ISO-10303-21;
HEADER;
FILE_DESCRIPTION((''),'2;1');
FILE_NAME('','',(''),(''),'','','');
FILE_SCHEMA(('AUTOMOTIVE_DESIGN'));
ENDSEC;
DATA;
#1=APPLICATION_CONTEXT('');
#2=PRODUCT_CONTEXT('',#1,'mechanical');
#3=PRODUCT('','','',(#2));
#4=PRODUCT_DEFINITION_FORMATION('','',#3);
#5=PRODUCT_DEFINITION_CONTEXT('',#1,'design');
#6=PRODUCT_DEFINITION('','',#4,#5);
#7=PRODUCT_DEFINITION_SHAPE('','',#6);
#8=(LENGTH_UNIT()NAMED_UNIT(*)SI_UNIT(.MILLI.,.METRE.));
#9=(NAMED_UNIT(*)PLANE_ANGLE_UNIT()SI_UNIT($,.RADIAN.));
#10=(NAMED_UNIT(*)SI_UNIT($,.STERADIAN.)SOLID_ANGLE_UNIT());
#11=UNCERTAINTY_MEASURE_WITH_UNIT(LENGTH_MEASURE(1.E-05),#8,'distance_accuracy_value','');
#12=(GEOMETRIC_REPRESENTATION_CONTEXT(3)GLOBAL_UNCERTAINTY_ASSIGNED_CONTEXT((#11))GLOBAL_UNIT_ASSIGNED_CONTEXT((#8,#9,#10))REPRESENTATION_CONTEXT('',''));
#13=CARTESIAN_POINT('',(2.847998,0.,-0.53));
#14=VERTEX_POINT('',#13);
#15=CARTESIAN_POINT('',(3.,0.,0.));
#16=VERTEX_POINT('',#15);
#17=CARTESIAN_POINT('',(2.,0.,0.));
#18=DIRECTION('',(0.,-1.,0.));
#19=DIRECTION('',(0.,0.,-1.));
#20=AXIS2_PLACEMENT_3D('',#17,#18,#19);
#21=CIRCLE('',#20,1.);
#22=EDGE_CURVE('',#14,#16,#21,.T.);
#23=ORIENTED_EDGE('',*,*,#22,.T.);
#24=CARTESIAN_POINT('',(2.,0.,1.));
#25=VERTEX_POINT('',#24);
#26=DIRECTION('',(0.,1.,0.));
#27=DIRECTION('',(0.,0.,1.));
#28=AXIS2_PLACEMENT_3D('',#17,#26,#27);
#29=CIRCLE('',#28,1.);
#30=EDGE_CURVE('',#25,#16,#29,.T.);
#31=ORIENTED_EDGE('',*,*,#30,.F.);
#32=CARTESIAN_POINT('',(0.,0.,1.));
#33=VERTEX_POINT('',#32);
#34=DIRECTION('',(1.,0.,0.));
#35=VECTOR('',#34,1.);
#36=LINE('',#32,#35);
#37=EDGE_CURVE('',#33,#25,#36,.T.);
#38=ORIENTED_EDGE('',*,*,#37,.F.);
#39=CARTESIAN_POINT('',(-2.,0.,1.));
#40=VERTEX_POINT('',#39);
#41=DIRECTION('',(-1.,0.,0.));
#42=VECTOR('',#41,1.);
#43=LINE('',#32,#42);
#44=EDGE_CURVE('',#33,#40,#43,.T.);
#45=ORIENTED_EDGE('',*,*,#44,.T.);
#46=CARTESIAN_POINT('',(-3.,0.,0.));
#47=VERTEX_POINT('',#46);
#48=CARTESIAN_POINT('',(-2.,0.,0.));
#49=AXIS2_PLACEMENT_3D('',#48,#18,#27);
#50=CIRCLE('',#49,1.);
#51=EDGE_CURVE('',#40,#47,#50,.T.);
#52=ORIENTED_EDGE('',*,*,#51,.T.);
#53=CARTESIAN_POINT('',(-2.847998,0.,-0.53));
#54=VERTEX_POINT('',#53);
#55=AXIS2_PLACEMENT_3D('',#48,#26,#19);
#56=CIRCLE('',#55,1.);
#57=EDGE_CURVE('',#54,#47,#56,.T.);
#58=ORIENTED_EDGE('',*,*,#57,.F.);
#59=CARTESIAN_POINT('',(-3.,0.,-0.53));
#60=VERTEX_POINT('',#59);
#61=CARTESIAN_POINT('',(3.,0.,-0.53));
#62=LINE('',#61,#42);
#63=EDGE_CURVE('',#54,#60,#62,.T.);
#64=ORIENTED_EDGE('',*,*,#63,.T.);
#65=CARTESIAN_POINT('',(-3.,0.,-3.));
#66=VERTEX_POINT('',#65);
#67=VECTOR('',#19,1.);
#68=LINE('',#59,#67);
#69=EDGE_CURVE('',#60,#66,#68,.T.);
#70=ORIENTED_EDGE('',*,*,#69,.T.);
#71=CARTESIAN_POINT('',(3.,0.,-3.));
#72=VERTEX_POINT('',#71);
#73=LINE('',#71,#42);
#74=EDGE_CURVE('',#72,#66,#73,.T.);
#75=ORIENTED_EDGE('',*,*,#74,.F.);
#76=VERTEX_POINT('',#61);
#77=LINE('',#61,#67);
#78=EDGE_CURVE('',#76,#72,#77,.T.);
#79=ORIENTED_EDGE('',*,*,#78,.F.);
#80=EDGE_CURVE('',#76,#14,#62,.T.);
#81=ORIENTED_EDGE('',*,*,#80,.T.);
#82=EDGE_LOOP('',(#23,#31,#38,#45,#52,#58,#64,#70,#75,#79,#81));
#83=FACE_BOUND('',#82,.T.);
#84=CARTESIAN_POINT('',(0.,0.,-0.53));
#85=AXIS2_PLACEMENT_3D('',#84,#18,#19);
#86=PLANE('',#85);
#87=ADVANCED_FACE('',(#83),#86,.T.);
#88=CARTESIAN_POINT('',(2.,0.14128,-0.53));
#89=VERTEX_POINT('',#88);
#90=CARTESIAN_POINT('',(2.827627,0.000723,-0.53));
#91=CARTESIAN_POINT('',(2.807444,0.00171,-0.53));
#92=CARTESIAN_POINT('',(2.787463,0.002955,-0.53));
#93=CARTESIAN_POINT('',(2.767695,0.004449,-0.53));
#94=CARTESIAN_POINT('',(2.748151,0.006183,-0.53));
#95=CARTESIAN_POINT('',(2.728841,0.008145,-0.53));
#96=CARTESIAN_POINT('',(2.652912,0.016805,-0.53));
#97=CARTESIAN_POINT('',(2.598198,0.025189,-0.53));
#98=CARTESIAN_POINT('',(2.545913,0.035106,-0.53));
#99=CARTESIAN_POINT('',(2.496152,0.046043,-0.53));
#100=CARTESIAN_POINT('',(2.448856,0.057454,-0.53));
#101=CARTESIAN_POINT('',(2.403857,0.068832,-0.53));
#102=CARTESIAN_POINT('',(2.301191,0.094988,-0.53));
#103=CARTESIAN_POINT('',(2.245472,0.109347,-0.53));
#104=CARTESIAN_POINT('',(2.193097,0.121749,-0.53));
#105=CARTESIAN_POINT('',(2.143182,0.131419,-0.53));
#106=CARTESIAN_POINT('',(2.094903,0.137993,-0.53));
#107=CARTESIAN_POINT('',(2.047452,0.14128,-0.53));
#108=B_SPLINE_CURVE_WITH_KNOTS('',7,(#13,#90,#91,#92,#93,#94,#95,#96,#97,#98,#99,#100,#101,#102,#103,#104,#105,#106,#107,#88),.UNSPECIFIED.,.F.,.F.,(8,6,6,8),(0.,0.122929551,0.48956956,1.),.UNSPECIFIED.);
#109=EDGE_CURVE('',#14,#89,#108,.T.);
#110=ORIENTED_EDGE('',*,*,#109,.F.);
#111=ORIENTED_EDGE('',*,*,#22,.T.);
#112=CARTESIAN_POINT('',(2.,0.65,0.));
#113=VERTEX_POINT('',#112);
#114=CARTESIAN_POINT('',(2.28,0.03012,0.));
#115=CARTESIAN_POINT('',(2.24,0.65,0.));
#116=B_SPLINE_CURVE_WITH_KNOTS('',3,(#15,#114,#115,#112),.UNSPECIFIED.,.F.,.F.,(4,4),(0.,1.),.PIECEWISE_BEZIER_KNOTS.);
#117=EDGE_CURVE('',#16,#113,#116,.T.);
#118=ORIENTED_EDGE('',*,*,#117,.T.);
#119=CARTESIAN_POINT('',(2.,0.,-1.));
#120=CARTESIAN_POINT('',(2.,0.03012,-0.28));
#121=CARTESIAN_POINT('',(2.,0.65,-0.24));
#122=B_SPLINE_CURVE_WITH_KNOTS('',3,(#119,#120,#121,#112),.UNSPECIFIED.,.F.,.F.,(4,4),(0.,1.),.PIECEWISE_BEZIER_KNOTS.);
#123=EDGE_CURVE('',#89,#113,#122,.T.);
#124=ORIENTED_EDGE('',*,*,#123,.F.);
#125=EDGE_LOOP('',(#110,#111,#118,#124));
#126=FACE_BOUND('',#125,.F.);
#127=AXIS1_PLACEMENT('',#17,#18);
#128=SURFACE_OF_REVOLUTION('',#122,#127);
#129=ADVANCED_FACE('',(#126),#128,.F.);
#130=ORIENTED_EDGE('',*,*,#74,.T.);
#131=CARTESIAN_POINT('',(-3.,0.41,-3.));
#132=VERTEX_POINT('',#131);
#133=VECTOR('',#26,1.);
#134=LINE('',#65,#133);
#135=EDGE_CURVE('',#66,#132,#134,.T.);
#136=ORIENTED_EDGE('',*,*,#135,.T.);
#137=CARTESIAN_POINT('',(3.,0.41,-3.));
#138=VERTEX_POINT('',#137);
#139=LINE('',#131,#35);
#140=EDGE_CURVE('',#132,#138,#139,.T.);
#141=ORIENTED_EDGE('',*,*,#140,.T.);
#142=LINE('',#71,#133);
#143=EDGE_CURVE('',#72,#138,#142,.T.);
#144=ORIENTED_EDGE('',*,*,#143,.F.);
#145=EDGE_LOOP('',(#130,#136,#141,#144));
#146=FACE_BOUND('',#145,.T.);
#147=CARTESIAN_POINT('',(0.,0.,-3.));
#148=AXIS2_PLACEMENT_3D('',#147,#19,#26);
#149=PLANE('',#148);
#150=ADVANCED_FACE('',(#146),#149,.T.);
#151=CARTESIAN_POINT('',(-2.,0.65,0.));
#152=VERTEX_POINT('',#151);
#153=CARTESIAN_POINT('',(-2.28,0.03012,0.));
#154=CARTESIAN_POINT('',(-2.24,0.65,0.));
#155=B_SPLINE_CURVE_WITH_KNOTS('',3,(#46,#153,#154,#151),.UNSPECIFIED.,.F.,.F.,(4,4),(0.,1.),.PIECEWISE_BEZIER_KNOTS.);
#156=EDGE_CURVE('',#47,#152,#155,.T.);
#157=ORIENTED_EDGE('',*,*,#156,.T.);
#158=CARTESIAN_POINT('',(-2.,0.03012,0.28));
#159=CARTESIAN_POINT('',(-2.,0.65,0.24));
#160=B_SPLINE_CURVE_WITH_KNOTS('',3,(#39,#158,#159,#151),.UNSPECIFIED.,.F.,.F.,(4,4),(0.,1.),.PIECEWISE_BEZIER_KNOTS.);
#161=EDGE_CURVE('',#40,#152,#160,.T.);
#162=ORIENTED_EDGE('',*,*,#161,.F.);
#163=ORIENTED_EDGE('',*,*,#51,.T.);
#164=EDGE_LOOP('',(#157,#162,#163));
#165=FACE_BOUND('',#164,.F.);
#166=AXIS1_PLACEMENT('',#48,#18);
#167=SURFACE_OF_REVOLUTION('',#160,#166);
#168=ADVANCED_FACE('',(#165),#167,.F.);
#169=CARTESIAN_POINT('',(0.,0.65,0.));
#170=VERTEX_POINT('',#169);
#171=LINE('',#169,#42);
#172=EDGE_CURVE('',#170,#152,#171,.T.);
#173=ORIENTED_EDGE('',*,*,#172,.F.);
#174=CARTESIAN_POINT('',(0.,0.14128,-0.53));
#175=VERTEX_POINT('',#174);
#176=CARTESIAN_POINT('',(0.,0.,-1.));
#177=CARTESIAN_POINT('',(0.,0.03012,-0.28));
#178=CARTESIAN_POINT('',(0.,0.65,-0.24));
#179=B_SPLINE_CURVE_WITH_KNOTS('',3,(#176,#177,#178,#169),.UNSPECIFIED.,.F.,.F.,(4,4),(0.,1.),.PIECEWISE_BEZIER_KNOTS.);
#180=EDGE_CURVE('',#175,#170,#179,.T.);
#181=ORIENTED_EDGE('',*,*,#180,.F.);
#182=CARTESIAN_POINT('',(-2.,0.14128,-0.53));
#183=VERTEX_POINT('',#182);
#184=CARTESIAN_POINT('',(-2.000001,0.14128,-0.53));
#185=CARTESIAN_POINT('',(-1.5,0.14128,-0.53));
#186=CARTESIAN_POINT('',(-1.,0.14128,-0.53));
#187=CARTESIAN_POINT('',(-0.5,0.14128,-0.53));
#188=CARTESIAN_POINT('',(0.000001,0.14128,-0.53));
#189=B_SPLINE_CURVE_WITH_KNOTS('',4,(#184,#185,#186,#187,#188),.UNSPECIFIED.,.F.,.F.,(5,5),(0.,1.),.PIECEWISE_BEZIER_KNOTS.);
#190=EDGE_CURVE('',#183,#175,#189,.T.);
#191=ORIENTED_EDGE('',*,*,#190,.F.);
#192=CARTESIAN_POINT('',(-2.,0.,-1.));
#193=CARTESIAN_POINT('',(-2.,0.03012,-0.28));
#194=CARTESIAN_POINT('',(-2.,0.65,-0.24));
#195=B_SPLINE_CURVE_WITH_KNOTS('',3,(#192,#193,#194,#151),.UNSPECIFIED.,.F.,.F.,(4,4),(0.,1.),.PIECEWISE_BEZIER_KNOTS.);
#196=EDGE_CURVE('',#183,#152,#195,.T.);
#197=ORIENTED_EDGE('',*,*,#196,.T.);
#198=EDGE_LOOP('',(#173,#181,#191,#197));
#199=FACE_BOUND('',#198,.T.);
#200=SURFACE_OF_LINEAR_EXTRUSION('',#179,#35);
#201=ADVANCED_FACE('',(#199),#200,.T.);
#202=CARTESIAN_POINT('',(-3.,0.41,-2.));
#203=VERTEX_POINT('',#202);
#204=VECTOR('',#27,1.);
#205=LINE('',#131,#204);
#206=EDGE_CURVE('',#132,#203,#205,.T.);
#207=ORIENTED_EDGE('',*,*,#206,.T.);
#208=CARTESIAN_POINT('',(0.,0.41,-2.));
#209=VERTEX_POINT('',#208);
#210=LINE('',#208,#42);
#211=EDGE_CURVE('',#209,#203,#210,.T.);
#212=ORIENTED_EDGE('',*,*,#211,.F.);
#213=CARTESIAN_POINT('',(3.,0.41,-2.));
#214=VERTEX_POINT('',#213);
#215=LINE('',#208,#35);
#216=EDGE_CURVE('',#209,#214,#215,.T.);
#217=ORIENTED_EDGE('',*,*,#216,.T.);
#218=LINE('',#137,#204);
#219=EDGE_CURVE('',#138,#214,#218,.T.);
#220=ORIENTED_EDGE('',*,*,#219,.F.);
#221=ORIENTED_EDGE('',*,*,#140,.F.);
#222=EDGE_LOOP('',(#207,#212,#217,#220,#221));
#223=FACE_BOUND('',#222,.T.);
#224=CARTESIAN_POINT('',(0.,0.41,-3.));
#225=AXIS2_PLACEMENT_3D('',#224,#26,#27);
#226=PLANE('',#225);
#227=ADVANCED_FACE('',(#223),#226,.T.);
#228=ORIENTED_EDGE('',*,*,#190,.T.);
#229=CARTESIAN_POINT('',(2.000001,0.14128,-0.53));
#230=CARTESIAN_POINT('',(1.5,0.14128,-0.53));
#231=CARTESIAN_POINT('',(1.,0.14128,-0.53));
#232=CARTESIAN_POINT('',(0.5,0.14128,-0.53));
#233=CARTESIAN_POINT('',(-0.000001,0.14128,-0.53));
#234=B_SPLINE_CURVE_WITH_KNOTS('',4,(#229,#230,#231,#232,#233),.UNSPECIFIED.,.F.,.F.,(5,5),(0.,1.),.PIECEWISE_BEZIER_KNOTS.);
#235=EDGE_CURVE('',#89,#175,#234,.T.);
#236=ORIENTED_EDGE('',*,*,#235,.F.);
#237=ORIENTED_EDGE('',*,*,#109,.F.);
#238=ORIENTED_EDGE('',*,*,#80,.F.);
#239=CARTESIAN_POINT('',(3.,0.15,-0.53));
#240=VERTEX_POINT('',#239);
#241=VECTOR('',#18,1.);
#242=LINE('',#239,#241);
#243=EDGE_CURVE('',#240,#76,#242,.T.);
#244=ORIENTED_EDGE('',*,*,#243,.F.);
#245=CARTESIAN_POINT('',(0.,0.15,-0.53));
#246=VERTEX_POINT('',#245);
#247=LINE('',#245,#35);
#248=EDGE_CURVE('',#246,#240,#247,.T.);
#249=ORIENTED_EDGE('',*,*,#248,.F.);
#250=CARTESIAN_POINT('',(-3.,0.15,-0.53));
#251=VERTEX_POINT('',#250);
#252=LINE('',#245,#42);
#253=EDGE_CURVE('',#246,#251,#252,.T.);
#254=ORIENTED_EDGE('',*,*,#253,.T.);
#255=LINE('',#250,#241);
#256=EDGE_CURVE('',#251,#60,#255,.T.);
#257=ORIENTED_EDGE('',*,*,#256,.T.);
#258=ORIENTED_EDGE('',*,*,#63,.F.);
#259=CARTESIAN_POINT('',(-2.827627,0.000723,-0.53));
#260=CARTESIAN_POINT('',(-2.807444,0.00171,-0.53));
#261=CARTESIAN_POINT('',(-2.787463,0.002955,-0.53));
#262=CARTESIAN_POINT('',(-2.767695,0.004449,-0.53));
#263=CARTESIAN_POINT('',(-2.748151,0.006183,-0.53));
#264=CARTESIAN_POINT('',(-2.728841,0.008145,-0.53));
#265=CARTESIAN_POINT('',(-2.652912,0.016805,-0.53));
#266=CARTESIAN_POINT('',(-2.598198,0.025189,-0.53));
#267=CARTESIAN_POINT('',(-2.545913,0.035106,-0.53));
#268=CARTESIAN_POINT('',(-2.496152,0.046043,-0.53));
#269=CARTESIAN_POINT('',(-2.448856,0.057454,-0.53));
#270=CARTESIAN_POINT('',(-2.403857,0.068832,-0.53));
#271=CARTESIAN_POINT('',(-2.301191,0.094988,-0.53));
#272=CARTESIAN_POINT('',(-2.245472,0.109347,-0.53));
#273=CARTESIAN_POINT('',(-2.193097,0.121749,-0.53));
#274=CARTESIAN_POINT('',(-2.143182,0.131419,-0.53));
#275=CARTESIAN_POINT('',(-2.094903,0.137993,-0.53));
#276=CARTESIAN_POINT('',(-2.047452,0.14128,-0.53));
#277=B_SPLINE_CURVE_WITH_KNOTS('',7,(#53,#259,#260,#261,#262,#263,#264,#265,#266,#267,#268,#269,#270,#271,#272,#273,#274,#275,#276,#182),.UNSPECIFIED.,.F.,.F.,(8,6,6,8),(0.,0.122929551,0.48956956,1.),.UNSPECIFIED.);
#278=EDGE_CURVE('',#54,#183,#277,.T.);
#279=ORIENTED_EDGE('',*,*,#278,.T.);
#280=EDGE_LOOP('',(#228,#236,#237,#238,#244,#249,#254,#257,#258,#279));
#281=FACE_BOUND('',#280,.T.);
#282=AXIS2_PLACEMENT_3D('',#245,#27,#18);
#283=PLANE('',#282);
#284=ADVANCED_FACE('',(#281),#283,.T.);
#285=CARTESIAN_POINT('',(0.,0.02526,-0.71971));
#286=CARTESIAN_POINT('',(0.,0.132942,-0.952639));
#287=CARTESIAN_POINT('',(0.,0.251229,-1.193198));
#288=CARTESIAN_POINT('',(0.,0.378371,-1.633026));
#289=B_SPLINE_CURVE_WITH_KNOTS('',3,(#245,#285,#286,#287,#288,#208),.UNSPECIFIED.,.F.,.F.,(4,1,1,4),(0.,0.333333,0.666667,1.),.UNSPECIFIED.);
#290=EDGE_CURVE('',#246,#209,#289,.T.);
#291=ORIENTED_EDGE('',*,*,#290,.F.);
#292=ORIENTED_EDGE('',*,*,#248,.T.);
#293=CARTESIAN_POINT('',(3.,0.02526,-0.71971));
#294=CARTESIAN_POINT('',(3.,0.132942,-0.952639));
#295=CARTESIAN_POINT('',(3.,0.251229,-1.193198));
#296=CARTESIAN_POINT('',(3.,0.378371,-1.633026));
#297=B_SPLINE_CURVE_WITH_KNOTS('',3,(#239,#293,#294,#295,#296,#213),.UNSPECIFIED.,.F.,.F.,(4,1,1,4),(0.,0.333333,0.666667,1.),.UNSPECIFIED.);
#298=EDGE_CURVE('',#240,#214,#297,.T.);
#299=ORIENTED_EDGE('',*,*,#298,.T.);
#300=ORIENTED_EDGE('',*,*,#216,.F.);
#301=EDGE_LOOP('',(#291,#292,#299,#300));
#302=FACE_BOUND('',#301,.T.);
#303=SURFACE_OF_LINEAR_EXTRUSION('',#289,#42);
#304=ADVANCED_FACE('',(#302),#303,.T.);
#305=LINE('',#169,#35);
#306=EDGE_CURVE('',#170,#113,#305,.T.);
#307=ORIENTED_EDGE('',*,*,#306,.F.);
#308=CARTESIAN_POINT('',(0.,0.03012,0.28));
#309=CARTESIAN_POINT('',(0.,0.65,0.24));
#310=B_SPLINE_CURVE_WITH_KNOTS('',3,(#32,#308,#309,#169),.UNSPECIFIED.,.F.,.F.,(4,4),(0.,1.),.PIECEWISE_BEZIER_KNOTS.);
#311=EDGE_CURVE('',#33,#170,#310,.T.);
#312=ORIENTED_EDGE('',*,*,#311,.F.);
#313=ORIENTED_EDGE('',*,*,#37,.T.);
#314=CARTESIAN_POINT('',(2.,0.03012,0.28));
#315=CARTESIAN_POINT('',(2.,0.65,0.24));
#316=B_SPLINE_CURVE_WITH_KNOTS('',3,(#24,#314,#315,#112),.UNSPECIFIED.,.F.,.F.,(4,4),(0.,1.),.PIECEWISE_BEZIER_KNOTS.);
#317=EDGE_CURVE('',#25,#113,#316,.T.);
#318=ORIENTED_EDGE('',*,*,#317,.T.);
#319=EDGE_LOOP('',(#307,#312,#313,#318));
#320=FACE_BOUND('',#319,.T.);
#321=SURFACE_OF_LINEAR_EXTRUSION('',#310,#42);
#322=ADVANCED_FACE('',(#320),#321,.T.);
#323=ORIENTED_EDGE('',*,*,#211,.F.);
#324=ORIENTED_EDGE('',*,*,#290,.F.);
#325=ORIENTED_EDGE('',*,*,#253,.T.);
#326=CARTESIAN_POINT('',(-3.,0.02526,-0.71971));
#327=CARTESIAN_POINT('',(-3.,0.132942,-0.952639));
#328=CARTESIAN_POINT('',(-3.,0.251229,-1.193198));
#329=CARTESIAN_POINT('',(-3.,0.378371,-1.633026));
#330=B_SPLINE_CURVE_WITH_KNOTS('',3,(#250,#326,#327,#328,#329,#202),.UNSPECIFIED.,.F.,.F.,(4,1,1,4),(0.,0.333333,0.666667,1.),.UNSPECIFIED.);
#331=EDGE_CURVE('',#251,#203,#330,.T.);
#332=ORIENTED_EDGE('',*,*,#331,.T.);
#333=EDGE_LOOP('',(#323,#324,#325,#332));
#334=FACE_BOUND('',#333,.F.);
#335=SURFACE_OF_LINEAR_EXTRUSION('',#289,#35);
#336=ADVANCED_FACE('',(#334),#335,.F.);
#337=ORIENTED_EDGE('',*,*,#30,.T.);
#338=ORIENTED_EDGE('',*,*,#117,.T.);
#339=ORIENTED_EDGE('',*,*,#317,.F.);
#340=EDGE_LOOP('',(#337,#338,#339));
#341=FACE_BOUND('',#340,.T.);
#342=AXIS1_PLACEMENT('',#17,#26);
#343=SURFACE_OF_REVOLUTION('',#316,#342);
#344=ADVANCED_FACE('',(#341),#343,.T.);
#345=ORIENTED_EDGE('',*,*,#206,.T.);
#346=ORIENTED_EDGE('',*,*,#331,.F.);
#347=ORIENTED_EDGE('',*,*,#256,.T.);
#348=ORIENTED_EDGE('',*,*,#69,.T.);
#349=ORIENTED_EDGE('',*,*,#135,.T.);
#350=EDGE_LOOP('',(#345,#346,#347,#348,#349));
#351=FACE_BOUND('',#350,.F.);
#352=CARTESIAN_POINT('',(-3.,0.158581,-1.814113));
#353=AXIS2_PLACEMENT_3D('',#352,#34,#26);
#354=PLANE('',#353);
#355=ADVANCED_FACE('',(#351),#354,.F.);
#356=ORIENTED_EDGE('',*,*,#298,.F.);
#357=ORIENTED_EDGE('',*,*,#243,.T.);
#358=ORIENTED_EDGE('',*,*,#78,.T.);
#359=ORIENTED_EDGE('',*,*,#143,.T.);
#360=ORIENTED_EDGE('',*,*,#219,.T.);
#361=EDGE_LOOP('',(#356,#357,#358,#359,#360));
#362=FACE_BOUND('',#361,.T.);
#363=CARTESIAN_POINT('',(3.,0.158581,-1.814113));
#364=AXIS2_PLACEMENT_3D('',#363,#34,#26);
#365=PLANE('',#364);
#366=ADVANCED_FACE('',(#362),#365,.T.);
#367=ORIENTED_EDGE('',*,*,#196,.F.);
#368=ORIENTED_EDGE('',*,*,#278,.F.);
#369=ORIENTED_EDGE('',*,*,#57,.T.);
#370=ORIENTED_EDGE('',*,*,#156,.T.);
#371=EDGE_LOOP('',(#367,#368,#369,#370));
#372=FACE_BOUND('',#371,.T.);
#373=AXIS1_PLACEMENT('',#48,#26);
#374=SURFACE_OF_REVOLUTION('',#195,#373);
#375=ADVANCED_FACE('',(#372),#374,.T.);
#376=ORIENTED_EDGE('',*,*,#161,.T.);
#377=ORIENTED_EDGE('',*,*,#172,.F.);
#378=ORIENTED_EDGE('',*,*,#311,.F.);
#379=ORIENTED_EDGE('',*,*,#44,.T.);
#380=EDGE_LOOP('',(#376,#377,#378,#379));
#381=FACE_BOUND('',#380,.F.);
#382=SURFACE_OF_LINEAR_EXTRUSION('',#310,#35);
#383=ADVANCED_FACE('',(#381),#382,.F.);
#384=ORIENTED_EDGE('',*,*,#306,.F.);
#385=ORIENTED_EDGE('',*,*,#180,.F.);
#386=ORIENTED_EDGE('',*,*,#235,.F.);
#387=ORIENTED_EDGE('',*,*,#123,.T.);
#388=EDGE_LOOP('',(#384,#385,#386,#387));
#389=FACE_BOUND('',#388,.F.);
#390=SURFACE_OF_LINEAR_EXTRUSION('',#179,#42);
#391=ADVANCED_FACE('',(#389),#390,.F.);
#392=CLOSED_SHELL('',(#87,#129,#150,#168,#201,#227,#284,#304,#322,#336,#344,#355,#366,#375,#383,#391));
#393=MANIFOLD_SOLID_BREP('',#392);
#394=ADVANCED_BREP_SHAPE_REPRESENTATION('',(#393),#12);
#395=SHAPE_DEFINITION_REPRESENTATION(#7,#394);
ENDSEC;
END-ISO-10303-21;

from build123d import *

# Parameters (mm, degrees)
PAD001_DEPTH              = 3
PAD001_DEPTH_BACK         = 3
REVOLUTION_ANGLE          = -90
PAD_DEPTH                 = 2
FUSION002_PLACEMENT_ANGLE = 90


with BuildPart() as body002:
    # Sketch002 → Pad001 (new body, two sides)
    with BuildSketch(Plane.YZ) as pad001_sk:
        with BuildLine():
            Line((0, -3), (0.41, -3))
            Line((0.41, -3), (0.41, -2))
            add(Edge.make_bspline(
                [(0.15, -0.53), (0.02526, -0.71971), (0.132942, -0.952639), (0.251229, -1.193198), (0.378371, -1.633026), (0.41, -2)],
                knots=[0, 0, 0, 0, 0.333333, 0.666667, 1, 1, 1, 1], degree=3))
            Line((0.15, -0.53), (0, -0.53))
            Line((0, -0.53), (0, -3))
        make_face()
    extrude(amount=PAD001_DEPTH)
    extrude(pad001_sk.sketch, amount=-PAD001_DEPTH_BACK)


with BuildPart() as body001:
    # Sketch001 → Revolution (revolve)
    with BuildSketch(Plane.YZ):
        with BuildLine():
            add(Edge.make_bspline(
                [(1, 0), (0.28, 0.03012), (0.24, 0.65), (0, 0.65)],
                knots=[0, 0, 0, 0, 1, 1, 1, 1], degree=3))
            Line((0, 0.65), (0, 0))
            Line((0, 0), (1, 0))
        make_face()
    revolve(axis=Axis((0, 0, 0), (0, 0, 1)), revolution_arc=REVOLUTION_ANGLE)


with BuildPart() as body001_1:
    # Body001 placement: moved
    add(body001.part.moved(Location((2, 0, 0))))


with BuildPart() as fusion:
    # Sketch → Pad (new body)
    with BuildSketch(Plane.YZ):
        with BuildLine():
            add(Edge.make_bspline(
                [(1, 0), (0.28, 0.03012), (0.24, 0.65), (0, 0.65)],
                knots=[0, 0, 0, 0, 1, 1, 1, 1], degree=3))
            Line((0, 0.65), (0, 0))
            Line((0, 0), (1, 0))
        make_face()
    extrude(amount=PAD_DEPTH)

    # Fusion: union Body001
    add(body001_1.part)


with BuildPart() as fusion001:
    # Part__Mirroring: instance of Fusion
    add(fusion.part.mirror(Plane(origin=(0, 0, 0), x_dir=(0, -1, 0), z_dir=(1, 0, 0))))

    # Fusion001: union Fusion
    add(fusion.part)


with BuildPart() as part_mirroring001:
    # Part__Mirroring001: instance of Fusion001
    add(fusion001.part.mirror(Plane(origin=(0, 0, 0), x_dir=(1, 0, 0), z_dir=(0, 1, 0))))


with BuildPart() as fusion003:
    # Fusion002 base: copy of Fusion001
    add(fusion001.part)

    # Fusion002: union Part__Mirroring001
    add(part_mirroring001.part)


with BuildPart() as fusion003_1:
    # Fusion002 placement: moved
    add(fusion003.part.rotate(Axis((0, 0, 0), (-1, 0, 0)), FUSION002_PLACEMENT_ANGLE))

    # Fusion003: union Body002
    add(body002.part)


solid = fusion003_1.part
